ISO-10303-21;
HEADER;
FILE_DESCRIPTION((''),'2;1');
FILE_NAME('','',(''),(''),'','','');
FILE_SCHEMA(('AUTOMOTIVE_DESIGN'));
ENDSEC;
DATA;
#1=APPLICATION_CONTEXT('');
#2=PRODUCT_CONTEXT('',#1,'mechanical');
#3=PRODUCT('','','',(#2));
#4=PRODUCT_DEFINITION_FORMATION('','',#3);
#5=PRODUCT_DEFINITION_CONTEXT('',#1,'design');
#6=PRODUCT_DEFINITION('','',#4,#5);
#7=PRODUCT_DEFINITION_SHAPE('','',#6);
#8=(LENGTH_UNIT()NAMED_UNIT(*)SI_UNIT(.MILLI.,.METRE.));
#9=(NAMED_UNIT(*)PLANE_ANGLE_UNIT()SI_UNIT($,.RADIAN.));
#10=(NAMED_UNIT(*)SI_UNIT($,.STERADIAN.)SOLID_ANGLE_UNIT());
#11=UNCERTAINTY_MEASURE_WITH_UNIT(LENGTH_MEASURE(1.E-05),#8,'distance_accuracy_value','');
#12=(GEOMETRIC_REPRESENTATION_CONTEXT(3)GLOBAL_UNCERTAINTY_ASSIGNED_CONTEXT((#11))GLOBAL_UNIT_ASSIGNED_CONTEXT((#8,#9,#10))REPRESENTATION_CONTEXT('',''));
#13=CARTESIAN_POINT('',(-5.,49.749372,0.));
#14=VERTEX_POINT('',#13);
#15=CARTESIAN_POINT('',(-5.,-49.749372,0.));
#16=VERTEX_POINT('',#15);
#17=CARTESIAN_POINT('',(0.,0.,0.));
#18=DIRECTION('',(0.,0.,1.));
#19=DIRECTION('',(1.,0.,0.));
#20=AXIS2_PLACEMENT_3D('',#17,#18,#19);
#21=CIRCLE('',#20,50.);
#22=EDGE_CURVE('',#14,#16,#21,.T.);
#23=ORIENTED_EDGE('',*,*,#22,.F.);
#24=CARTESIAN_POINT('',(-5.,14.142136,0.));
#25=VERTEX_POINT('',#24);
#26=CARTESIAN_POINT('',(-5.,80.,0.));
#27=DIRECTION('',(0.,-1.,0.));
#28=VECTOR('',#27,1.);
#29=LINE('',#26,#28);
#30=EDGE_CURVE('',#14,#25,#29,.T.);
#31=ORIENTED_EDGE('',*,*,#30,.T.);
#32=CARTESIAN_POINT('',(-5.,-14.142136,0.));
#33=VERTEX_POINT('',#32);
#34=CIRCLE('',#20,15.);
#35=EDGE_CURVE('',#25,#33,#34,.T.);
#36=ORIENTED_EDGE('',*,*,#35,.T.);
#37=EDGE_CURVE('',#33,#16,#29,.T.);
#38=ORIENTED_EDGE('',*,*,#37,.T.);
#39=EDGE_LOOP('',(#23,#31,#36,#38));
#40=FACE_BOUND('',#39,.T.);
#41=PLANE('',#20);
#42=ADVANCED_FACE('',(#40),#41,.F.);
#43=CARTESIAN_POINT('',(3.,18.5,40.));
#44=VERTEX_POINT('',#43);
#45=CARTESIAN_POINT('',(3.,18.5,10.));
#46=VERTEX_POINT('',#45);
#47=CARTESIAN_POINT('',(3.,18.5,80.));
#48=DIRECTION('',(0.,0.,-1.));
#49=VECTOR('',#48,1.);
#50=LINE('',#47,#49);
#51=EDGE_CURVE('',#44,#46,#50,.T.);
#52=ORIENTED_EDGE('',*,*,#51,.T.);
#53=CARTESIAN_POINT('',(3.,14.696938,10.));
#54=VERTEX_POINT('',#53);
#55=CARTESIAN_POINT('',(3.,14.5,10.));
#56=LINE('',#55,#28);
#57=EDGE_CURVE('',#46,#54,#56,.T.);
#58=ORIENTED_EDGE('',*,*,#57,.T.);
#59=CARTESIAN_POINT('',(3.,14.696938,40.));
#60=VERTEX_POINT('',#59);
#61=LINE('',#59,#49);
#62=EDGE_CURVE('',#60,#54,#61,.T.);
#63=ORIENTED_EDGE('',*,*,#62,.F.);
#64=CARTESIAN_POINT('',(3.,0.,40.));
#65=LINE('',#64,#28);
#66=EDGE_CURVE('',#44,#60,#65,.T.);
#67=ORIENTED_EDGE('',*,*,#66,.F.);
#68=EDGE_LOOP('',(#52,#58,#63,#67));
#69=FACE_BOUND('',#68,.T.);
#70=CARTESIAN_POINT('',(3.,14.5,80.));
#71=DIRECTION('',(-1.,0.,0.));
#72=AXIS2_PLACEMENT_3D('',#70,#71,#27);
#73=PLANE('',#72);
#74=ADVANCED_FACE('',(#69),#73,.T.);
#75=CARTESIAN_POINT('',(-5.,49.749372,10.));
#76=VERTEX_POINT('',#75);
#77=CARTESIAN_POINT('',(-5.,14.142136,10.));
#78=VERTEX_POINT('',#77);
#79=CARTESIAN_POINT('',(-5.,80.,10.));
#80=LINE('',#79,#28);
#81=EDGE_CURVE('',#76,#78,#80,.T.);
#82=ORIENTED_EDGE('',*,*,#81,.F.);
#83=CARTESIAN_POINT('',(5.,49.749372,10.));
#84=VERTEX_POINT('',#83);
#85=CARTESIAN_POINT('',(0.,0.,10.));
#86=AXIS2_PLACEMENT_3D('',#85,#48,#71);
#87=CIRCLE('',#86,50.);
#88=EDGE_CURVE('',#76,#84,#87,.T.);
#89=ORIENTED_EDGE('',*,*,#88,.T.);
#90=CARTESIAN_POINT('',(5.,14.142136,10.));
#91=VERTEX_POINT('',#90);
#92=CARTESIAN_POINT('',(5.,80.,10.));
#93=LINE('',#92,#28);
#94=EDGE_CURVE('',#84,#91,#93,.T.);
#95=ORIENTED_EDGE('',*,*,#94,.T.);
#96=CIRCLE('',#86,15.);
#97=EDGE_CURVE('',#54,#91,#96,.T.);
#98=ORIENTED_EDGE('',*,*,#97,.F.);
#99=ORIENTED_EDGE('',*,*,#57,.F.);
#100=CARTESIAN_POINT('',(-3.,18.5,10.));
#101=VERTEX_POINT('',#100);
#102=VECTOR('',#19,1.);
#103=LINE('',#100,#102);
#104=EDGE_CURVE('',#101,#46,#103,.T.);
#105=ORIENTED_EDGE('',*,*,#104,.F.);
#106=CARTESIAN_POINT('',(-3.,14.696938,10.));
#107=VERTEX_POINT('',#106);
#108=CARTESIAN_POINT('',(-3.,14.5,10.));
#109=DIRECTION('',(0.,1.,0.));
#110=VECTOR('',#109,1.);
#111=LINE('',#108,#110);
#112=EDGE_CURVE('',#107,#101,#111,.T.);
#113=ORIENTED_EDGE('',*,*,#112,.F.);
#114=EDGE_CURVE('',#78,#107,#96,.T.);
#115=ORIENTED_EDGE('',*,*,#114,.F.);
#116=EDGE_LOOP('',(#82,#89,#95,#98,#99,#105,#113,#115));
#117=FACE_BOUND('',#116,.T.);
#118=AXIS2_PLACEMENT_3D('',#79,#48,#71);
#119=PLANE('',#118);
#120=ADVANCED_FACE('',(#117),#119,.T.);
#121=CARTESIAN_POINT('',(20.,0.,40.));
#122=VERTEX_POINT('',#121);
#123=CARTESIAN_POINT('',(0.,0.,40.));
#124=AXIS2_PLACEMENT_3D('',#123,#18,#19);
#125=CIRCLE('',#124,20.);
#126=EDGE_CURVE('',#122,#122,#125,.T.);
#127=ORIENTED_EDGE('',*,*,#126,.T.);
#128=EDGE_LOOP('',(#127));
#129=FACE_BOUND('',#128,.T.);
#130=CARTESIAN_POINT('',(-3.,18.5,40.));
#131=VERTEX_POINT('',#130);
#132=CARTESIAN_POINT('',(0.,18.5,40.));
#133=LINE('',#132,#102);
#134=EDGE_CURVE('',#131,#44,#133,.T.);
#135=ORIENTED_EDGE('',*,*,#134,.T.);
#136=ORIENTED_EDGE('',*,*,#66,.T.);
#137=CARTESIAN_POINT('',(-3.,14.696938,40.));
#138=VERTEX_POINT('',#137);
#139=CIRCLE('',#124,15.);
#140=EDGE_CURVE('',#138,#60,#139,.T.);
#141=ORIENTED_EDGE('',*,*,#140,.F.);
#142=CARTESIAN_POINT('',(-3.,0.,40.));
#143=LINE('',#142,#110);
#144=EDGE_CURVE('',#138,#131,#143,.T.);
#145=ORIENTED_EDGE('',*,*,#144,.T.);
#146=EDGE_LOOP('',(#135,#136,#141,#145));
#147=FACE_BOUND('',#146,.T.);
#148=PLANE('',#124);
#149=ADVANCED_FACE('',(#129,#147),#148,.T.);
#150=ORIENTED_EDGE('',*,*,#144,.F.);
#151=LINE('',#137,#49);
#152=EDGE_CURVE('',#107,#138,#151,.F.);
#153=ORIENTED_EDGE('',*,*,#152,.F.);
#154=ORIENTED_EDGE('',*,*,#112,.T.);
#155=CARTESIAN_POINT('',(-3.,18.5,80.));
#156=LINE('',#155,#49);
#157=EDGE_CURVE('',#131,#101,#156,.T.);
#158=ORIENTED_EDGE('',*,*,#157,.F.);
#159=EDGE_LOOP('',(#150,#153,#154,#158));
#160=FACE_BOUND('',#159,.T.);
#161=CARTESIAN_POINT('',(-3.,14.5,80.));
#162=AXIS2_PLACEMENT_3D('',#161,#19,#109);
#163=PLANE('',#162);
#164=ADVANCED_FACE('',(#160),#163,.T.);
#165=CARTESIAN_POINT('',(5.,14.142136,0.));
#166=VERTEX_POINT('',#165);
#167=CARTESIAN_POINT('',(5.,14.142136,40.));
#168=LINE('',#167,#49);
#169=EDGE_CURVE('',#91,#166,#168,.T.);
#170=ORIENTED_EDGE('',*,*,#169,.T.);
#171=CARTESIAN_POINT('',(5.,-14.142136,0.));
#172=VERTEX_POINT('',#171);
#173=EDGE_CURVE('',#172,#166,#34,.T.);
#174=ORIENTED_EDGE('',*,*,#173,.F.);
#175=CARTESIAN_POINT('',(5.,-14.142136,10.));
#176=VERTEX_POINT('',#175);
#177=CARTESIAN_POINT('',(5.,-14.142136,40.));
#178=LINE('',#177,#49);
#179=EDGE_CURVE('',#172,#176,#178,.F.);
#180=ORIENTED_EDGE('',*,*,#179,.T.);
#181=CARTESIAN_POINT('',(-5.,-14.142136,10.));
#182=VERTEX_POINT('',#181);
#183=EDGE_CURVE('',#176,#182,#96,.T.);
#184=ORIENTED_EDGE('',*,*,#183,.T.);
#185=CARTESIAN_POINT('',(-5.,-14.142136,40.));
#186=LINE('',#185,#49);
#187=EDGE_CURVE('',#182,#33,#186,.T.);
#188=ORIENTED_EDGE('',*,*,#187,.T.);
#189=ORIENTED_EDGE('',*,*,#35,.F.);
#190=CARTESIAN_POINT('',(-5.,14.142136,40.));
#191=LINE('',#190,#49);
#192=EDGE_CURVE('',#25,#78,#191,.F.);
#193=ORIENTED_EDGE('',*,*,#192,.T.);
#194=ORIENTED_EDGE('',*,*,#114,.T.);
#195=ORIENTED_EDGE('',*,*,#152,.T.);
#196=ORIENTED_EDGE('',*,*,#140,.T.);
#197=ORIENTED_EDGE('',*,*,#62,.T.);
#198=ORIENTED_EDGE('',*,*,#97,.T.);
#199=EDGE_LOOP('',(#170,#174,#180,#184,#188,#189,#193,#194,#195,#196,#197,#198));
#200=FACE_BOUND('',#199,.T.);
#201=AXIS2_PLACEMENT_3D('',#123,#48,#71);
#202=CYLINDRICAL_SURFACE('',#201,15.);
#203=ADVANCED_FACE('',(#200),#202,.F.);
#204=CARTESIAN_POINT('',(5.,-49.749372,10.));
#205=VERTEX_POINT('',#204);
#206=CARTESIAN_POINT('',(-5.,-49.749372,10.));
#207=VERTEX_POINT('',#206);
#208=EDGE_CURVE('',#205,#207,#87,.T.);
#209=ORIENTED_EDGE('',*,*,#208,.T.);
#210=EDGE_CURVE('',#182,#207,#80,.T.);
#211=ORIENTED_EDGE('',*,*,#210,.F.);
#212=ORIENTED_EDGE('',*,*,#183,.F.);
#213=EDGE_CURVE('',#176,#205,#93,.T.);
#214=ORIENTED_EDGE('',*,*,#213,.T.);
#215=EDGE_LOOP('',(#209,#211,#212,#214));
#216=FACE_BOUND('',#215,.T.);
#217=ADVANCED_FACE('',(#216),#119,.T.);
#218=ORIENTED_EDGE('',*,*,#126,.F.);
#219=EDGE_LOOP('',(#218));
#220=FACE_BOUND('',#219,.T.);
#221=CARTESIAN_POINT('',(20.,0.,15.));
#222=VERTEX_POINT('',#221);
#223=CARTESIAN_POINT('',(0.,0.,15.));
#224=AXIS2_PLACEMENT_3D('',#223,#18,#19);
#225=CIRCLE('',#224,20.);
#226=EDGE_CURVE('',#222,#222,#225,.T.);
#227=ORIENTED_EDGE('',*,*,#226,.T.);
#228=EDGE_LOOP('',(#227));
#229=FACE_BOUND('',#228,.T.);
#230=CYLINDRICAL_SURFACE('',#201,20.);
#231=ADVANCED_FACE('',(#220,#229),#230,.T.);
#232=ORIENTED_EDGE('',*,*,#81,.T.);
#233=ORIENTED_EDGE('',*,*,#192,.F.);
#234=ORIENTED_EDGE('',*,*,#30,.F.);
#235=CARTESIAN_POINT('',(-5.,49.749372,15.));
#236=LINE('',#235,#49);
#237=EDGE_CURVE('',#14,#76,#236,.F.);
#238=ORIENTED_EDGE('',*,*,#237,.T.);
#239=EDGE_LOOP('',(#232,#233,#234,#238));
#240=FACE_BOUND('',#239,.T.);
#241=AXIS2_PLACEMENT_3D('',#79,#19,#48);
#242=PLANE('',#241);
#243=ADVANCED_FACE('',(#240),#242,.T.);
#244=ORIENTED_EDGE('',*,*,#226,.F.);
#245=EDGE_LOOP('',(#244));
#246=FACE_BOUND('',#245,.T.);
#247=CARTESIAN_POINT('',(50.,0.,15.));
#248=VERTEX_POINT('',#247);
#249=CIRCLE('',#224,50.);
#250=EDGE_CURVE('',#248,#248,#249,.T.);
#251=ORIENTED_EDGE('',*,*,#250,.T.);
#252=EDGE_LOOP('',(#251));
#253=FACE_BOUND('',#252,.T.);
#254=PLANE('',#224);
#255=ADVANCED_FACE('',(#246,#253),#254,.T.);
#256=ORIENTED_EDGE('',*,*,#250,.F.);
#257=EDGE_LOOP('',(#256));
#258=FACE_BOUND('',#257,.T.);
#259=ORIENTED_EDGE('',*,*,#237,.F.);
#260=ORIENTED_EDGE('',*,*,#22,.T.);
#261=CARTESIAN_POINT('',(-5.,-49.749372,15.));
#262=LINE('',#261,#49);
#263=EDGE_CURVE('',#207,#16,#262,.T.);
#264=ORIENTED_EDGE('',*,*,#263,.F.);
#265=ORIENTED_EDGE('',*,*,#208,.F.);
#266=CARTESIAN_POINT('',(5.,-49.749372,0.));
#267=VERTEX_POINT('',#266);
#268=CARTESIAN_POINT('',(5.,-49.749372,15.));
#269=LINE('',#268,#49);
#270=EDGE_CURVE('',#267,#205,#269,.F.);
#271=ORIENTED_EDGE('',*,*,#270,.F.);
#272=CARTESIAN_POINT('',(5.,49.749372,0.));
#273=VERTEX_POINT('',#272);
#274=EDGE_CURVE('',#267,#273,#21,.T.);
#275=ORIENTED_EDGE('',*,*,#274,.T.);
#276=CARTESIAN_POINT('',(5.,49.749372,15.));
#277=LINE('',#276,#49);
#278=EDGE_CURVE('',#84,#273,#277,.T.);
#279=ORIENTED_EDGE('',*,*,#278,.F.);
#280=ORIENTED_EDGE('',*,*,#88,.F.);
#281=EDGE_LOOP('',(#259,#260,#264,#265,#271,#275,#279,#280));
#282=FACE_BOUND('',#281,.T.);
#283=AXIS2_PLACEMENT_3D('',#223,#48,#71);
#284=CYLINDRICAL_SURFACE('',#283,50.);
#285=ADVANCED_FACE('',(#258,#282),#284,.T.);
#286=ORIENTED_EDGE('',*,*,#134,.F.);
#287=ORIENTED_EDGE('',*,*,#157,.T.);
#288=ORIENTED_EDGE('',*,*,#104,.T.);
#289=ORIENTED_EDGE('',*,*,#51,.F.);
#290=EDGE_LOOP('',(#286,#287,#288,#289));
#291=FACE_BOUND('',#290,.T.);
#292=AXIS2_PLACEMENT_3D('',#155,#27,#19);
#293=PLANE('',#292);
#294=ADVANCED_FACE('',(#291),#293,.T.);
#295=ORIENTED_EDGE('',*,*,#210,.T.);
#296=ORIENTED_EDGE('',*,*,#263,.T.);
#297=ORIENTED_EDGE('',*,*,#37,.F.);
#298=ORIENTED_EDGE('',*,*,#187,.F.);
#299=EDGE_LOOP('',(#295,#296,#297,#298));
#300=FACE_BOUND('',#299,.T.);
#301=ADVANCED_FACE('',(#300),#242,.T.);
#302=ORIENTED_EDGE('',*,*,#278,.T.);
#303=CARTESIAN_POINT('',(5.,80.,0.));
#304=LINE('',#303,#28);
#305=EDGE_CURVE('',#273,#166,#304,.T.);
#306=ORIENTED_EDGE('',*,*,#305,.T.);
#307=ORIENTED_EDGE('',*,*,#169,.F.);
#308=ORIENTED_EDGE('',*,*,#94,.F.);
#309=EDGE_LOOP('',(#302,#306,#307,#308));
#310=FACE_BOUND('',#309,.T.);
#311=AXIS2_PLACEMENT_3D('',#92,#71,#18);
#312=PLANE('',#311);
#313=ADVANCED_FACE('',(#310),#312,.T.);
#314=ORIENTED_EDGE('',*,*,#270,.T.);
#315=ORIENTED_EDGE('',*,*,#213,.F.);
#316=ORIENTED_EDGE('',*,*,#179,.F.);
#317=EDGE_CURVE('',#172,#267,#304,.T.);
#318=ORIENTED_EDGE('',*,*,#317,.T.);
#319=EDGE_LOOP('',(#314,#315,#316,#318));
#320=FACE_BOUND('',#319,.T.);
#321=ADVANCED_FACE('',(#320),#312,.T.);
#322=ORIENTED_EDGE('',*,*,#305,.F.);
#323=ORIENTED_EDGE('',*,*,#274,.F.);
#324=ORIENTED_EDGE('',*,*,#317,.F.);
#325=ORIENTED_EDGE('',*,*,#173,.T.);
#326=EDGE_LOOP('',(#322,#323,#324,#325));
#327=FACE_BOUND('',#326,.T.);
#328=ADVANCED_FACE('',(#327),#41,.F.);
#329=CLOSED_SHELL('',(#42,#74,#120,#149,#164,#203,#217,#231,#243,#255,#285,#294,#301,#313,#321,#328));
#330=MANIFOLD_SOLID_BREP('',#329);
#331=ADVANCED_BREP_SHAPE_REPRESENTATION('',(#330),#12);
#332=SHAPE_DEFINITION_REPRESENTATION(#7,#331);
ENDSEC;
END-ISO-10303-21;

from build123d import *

# Parameters (mm, degrees)
SKETCH1_R               = 50
SKETCH1_R_2             = 20
BOSS_EXTRUDE1_DEPTH     = 15
SKETCH1_3_R             = 20
SKETCH1_3_R_2           = 15
BOSS_EXTRUDE2_DEPTH     = 40
SKETCH2_W               = 6
SKETCH2_H               = 4
CUT_EXTRUDE1_DEPTH      = 80
CUT_EXTRUDE2_DEPTH      = 80
CUT_EXTRUDE2_DEPTH_BACK = 80
SKETCH3_W               = 10
SKETCH3_H               = 10


with BuildPart() as part:
    # Sketch1 → Boss-Extrude1 (new body)
    with BuildSketch(Plane.XY):
        Circle(SKETCH1_R)
        Circle(SKETCH1_R_2, mode=Mode.SUBTRACT)
    extrude(amount=BOSS_EXTRUDE1_DEPTH)

    # Sketch1<3> → Boss-Extrude2 (add)
    with BuildSketch(Plane.XY):
        Circle(SKETCH1_3_R)
        Circle(SKETCH1_3_R_2, mode=Mode.SUBTRACT)
    extrude(amount=BOSS_EXTRUDE2_DEPTH)

    # Sketch2 → Cut-Extrude1 (cut)
    with BuildSketch(Plane.XY):
        with Locations((0, 16.5)):
            Rectangle(SKETCH2_W, SKETCH2_H)
    extrude(amount=CUT_EXTRUDE1_DEPTH, mode=Mode.SUBTRACT)

    # Sketch3 → Cut-Extrude2 (cut, two sides: drawn at the far end of the back side and taken through both)
    with BuildSketch(Plane(origin=(0, 0, 0), x_dir=(1, 0, 0), z_dir=(0, 1, 0)).offset(-CUT_EXTRUDE2_DEPTH_BACK)):
        with Locations((0, -5)):
            Rectangle(SKETCH3_W, SKETCH3_H)
    extrude(amount=CUT_EXTRUDE2_DEPTH + CUT_EXTRUDE2_DEPTH_BACK, mode=Mode.SUBTRACT)


solid = part.part
